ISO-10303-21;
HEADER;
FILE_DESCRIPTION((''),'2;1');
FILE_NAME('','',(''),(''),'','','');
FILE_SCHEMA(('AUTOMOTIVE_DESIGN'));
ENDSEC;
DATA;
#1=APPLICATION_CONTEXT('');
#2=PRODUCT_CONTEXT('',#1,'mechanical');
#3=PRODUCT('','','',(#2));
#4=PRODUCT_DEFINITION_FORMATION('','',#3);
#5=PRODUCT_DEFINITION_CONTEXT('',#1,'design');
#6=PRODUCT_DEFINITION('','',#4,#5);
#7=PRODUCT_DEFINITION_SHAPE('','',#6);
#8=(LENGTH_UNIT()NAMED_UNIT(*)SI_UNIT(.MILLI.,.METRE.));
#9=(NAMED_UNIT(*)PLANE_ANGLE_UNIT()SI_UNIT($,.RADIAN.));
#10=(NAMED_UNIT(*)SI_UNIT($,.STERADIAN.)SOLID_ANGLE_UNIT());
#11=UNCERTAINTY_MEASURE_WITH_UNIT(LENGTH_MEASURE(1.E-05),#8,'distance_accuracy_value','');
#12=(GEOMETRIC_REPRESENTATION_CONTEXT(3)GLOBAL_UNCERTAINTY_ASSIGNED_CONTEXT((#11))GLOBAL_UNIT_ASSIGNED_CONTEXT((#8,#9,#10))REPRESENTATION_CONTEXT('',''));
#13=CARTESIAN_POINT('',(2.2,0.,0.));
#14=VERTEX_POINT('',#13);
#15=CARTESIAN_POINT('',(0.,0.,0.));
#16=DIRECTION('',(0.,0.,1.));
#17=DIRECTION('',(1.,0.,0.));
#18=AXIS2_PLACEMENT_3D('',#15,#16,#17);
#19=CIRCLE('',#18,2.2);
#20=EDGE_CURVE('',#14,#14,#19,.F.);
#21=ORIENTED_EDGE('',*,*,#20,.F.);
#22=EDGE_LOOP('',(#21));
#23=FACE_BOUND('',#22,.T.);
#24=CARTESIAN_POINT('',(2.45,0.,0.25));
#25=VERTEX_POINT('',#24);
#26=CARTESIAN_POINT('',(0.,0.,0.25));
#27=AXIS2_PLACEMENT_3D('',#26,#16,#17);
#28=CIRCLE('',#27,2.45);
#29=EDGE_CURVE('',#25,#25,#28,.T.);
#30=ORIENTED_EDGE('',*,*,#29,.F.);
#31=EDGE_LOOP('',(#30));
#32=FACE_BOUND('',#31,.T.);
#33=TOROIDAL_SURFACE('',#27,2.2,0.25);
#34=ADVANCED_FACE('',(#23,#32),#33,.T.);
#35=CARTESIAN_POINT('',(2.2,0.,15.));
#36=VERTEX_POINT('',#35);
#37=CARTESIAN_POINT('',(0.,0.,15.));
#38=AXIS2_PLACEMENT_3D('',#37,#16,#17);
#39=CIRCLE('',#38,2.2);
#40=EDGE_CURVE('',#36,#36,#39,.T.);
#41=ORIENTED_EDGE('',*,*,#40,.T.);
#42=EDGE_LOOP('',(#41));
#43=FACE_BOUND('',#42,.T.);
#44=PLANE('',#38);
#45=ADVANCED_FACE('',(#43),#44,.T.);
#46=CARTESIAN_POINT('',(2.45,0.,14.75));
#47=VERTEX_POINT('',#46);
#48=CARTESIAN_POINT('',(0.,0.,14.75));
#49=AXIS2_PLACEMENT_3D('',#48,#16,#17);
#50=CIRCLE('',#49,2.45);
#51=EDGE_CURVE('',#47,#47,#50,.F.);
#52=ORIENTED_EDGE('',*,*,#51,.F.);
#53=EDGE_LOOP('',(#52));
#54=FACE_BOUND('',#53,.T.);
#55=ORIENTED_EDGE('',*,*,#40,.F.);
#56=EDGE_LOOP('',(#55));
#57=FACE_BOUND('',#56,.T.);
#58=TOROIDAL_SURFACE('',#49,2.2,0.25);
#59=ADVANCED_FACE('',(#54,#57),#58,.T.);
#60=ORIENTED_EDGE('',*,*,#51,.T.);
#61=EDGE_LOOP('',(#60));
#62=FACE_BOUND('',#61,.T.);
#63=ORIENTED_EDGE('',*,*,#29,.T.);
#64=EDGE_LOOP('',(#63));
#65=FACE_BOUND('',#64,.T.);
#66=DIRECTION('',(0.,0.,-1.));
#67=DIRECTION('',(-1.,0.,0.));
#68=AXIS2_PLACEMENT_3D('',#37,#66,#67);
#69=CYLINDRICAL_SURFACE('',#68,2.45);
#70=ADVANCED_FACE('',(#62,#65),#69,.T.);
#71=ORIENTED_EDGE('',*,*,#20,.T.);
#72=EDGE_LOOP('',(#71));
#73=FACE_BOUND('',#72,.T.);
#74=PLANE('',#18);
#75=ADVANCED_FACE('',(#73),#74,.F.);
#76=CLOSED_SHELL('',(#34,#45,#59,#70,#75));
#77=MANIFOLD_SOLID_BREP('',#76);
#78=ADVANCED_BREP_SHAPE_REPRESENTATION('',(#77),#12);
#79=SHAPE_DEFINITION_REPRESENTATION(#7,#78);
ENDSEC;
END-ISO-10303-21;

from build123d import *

# Parameters (mm, degrees)
SKETCH_1_R      = 2.45
EXTRUDE_1_DEPTH = 15
FILLET_1_R      = 0.25


with BuildPart() as part:
    # 스케치1 → 보스-돌출1 (new body)
    with BuildSketch(Plane.XY):
        Circle(SKETCH_1_R)
    extrude(amount=EXTRUDE_1_DEPTH)

    # 필렛1
    fillet_1_edges = [part.edges().sort_by_distance(p)[0] for p in [
        (-2.45, 0, 0),
        (-2.45, 0, 15),
    ]]
    fillet(fillet_1_edges, radius=FILLET_1_R)


solid = part.part
